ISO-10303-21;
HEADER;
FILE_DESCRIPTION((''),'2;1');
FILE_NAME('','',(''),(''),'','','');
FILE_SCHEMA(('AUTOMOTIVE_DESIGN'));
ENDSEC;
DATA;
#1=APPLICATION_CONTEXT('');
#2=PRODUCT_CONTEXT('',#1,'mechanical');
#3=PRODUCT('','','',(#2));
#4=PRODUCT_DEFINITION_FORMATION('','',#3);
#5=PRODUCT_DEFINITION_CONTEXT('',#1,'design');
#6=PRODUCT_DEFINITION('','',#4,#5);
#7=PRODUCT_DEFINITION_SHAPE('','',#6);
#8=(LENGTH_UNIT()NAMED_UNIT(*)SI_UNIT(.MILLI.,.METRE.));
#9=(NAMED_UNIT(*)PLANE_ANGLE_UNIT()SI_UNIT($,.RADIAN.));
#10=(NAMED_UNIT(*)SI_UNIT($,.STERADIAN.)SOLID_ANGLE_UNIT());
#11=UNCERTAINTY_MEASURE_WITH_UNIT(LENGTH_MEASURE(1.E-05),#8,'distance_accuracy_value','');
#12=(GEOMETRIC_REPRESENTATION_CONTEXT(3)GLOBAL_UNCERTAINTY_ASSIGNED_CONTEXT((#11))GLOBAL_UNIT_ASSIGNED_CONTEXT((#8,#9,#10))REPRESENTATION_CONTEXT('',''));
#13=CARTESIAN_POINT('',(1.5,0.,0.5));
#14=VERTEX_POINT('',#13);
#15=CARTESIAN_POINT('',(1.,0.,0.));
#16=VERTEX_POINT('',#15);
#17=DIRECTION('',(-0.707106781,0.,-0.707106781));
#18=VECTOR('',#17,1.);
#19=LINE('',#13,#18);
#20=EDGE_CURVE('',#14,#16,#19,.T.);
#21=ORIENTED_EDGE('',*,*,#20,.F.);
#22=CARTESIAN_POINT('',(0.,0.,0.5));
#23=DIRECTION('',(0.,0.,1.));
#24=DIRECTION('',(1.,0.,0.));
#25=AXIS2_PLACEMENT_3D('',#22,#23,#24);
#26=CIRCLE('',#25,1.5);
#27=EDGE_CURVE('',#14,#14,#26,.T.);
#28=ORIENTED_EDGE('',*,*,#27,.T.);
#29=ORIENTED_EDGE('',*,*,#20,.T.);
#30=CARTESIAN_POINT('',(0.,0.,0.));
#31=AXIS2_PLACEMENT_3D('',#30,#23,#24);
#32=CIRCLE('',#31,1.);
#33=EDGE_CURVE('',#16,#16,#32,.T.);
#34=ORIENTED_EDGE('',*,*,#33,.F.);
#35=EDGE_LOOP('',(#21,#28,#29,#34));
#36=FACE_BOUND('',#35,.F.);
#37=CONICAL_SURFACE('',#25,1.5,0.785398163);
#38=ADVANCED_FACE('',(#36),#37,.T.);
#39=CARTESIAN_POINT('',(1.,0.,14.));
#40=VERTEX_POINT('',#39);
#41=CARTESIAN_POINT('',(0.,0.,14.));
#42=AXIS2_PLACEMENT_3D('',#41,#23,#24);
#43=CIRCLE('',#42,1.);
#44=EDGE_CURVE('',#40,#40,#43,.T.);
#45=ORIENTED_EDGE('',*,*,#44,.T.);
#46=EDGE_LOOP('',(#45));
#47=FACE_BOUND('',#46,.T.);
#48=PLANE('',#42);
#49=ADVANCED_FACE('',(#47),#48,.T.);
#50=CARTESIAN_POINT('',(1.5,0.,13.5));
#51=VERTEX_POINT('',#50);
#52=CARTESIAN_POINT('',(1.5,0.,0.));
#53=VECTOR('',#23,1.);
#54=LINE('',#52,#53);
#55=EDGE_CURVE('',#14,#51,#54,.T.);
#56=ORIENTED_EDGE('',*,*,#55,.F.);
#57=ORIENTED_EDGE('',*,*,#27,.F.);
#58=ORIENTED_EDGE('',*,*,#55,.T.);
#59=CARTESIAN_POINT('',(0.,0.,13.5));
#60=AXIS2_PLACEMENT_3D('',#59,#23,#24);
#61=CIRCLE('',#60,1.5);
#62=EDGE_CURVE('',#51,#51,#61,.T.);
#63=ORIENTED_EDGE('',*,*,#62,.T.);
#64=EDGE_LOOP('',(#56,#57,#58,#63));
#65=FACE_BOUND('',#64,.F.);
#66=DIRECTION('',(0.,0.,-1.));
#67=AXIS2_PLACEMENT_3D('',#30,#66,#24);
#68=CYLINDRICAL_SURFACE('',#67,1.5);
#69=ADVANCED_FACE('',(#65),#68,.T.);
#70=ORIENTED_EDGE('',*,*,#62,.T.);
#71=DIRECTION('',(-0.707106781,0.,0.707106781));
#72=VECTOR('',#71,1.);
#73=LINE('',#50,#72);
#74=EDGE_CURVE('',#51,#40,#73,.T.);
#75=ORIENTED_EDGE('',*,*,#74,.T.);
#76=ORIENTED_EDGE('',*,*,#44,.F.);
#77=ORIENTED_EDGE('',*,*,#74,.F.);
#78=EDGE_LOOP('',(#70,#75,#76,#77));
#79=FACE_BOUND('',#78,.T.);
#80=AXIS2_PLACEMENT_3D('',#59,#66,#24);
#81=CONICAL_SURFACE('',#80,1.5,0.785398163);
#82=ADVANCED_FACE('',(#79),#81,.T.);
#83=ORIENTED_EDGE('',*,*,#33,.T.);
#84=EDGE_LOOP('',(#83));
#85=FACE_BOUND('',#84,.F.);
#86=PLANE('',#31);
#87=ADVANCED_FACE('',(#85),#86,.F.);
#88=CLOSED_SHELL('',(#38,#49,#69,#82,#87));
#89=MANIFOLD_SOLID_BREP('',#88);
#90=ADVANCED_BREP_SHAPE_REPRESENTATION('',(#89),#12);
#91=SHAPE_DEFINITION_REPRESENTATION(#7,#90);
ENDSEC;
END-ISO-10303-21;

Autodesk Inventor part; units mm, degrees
ref_plane "YZ Plane" through (0, 0, 0) normal (1, 0, 0) x (0, 1, 0)
ref_plane "XZ Plane" through (0, 0, 0) normal (0, 1, 0) x (-1, 0, 0)
ref_plane "XY Plane" through (0, 0, 0) normal (0, 0, 1) x (1, 0, 0)
sketch "スケッチ1" plane through (0, 0, 0) normal (0, 0, 1) x (1, 0, 0)
  circle A0 centre (0, 0) radius 1.5
  dimension "d0" = 3
extrude "押し出し1" add sketch "スケッチ1" along normal blind 14
chamfer "面取り1" distance 0.5 angle 45 2 edges at (-1.5, 0, 14) (-1.5, 0, 0)
properties part number "平行ピンΦ3.14" material "鋼、高強度、低合金"
